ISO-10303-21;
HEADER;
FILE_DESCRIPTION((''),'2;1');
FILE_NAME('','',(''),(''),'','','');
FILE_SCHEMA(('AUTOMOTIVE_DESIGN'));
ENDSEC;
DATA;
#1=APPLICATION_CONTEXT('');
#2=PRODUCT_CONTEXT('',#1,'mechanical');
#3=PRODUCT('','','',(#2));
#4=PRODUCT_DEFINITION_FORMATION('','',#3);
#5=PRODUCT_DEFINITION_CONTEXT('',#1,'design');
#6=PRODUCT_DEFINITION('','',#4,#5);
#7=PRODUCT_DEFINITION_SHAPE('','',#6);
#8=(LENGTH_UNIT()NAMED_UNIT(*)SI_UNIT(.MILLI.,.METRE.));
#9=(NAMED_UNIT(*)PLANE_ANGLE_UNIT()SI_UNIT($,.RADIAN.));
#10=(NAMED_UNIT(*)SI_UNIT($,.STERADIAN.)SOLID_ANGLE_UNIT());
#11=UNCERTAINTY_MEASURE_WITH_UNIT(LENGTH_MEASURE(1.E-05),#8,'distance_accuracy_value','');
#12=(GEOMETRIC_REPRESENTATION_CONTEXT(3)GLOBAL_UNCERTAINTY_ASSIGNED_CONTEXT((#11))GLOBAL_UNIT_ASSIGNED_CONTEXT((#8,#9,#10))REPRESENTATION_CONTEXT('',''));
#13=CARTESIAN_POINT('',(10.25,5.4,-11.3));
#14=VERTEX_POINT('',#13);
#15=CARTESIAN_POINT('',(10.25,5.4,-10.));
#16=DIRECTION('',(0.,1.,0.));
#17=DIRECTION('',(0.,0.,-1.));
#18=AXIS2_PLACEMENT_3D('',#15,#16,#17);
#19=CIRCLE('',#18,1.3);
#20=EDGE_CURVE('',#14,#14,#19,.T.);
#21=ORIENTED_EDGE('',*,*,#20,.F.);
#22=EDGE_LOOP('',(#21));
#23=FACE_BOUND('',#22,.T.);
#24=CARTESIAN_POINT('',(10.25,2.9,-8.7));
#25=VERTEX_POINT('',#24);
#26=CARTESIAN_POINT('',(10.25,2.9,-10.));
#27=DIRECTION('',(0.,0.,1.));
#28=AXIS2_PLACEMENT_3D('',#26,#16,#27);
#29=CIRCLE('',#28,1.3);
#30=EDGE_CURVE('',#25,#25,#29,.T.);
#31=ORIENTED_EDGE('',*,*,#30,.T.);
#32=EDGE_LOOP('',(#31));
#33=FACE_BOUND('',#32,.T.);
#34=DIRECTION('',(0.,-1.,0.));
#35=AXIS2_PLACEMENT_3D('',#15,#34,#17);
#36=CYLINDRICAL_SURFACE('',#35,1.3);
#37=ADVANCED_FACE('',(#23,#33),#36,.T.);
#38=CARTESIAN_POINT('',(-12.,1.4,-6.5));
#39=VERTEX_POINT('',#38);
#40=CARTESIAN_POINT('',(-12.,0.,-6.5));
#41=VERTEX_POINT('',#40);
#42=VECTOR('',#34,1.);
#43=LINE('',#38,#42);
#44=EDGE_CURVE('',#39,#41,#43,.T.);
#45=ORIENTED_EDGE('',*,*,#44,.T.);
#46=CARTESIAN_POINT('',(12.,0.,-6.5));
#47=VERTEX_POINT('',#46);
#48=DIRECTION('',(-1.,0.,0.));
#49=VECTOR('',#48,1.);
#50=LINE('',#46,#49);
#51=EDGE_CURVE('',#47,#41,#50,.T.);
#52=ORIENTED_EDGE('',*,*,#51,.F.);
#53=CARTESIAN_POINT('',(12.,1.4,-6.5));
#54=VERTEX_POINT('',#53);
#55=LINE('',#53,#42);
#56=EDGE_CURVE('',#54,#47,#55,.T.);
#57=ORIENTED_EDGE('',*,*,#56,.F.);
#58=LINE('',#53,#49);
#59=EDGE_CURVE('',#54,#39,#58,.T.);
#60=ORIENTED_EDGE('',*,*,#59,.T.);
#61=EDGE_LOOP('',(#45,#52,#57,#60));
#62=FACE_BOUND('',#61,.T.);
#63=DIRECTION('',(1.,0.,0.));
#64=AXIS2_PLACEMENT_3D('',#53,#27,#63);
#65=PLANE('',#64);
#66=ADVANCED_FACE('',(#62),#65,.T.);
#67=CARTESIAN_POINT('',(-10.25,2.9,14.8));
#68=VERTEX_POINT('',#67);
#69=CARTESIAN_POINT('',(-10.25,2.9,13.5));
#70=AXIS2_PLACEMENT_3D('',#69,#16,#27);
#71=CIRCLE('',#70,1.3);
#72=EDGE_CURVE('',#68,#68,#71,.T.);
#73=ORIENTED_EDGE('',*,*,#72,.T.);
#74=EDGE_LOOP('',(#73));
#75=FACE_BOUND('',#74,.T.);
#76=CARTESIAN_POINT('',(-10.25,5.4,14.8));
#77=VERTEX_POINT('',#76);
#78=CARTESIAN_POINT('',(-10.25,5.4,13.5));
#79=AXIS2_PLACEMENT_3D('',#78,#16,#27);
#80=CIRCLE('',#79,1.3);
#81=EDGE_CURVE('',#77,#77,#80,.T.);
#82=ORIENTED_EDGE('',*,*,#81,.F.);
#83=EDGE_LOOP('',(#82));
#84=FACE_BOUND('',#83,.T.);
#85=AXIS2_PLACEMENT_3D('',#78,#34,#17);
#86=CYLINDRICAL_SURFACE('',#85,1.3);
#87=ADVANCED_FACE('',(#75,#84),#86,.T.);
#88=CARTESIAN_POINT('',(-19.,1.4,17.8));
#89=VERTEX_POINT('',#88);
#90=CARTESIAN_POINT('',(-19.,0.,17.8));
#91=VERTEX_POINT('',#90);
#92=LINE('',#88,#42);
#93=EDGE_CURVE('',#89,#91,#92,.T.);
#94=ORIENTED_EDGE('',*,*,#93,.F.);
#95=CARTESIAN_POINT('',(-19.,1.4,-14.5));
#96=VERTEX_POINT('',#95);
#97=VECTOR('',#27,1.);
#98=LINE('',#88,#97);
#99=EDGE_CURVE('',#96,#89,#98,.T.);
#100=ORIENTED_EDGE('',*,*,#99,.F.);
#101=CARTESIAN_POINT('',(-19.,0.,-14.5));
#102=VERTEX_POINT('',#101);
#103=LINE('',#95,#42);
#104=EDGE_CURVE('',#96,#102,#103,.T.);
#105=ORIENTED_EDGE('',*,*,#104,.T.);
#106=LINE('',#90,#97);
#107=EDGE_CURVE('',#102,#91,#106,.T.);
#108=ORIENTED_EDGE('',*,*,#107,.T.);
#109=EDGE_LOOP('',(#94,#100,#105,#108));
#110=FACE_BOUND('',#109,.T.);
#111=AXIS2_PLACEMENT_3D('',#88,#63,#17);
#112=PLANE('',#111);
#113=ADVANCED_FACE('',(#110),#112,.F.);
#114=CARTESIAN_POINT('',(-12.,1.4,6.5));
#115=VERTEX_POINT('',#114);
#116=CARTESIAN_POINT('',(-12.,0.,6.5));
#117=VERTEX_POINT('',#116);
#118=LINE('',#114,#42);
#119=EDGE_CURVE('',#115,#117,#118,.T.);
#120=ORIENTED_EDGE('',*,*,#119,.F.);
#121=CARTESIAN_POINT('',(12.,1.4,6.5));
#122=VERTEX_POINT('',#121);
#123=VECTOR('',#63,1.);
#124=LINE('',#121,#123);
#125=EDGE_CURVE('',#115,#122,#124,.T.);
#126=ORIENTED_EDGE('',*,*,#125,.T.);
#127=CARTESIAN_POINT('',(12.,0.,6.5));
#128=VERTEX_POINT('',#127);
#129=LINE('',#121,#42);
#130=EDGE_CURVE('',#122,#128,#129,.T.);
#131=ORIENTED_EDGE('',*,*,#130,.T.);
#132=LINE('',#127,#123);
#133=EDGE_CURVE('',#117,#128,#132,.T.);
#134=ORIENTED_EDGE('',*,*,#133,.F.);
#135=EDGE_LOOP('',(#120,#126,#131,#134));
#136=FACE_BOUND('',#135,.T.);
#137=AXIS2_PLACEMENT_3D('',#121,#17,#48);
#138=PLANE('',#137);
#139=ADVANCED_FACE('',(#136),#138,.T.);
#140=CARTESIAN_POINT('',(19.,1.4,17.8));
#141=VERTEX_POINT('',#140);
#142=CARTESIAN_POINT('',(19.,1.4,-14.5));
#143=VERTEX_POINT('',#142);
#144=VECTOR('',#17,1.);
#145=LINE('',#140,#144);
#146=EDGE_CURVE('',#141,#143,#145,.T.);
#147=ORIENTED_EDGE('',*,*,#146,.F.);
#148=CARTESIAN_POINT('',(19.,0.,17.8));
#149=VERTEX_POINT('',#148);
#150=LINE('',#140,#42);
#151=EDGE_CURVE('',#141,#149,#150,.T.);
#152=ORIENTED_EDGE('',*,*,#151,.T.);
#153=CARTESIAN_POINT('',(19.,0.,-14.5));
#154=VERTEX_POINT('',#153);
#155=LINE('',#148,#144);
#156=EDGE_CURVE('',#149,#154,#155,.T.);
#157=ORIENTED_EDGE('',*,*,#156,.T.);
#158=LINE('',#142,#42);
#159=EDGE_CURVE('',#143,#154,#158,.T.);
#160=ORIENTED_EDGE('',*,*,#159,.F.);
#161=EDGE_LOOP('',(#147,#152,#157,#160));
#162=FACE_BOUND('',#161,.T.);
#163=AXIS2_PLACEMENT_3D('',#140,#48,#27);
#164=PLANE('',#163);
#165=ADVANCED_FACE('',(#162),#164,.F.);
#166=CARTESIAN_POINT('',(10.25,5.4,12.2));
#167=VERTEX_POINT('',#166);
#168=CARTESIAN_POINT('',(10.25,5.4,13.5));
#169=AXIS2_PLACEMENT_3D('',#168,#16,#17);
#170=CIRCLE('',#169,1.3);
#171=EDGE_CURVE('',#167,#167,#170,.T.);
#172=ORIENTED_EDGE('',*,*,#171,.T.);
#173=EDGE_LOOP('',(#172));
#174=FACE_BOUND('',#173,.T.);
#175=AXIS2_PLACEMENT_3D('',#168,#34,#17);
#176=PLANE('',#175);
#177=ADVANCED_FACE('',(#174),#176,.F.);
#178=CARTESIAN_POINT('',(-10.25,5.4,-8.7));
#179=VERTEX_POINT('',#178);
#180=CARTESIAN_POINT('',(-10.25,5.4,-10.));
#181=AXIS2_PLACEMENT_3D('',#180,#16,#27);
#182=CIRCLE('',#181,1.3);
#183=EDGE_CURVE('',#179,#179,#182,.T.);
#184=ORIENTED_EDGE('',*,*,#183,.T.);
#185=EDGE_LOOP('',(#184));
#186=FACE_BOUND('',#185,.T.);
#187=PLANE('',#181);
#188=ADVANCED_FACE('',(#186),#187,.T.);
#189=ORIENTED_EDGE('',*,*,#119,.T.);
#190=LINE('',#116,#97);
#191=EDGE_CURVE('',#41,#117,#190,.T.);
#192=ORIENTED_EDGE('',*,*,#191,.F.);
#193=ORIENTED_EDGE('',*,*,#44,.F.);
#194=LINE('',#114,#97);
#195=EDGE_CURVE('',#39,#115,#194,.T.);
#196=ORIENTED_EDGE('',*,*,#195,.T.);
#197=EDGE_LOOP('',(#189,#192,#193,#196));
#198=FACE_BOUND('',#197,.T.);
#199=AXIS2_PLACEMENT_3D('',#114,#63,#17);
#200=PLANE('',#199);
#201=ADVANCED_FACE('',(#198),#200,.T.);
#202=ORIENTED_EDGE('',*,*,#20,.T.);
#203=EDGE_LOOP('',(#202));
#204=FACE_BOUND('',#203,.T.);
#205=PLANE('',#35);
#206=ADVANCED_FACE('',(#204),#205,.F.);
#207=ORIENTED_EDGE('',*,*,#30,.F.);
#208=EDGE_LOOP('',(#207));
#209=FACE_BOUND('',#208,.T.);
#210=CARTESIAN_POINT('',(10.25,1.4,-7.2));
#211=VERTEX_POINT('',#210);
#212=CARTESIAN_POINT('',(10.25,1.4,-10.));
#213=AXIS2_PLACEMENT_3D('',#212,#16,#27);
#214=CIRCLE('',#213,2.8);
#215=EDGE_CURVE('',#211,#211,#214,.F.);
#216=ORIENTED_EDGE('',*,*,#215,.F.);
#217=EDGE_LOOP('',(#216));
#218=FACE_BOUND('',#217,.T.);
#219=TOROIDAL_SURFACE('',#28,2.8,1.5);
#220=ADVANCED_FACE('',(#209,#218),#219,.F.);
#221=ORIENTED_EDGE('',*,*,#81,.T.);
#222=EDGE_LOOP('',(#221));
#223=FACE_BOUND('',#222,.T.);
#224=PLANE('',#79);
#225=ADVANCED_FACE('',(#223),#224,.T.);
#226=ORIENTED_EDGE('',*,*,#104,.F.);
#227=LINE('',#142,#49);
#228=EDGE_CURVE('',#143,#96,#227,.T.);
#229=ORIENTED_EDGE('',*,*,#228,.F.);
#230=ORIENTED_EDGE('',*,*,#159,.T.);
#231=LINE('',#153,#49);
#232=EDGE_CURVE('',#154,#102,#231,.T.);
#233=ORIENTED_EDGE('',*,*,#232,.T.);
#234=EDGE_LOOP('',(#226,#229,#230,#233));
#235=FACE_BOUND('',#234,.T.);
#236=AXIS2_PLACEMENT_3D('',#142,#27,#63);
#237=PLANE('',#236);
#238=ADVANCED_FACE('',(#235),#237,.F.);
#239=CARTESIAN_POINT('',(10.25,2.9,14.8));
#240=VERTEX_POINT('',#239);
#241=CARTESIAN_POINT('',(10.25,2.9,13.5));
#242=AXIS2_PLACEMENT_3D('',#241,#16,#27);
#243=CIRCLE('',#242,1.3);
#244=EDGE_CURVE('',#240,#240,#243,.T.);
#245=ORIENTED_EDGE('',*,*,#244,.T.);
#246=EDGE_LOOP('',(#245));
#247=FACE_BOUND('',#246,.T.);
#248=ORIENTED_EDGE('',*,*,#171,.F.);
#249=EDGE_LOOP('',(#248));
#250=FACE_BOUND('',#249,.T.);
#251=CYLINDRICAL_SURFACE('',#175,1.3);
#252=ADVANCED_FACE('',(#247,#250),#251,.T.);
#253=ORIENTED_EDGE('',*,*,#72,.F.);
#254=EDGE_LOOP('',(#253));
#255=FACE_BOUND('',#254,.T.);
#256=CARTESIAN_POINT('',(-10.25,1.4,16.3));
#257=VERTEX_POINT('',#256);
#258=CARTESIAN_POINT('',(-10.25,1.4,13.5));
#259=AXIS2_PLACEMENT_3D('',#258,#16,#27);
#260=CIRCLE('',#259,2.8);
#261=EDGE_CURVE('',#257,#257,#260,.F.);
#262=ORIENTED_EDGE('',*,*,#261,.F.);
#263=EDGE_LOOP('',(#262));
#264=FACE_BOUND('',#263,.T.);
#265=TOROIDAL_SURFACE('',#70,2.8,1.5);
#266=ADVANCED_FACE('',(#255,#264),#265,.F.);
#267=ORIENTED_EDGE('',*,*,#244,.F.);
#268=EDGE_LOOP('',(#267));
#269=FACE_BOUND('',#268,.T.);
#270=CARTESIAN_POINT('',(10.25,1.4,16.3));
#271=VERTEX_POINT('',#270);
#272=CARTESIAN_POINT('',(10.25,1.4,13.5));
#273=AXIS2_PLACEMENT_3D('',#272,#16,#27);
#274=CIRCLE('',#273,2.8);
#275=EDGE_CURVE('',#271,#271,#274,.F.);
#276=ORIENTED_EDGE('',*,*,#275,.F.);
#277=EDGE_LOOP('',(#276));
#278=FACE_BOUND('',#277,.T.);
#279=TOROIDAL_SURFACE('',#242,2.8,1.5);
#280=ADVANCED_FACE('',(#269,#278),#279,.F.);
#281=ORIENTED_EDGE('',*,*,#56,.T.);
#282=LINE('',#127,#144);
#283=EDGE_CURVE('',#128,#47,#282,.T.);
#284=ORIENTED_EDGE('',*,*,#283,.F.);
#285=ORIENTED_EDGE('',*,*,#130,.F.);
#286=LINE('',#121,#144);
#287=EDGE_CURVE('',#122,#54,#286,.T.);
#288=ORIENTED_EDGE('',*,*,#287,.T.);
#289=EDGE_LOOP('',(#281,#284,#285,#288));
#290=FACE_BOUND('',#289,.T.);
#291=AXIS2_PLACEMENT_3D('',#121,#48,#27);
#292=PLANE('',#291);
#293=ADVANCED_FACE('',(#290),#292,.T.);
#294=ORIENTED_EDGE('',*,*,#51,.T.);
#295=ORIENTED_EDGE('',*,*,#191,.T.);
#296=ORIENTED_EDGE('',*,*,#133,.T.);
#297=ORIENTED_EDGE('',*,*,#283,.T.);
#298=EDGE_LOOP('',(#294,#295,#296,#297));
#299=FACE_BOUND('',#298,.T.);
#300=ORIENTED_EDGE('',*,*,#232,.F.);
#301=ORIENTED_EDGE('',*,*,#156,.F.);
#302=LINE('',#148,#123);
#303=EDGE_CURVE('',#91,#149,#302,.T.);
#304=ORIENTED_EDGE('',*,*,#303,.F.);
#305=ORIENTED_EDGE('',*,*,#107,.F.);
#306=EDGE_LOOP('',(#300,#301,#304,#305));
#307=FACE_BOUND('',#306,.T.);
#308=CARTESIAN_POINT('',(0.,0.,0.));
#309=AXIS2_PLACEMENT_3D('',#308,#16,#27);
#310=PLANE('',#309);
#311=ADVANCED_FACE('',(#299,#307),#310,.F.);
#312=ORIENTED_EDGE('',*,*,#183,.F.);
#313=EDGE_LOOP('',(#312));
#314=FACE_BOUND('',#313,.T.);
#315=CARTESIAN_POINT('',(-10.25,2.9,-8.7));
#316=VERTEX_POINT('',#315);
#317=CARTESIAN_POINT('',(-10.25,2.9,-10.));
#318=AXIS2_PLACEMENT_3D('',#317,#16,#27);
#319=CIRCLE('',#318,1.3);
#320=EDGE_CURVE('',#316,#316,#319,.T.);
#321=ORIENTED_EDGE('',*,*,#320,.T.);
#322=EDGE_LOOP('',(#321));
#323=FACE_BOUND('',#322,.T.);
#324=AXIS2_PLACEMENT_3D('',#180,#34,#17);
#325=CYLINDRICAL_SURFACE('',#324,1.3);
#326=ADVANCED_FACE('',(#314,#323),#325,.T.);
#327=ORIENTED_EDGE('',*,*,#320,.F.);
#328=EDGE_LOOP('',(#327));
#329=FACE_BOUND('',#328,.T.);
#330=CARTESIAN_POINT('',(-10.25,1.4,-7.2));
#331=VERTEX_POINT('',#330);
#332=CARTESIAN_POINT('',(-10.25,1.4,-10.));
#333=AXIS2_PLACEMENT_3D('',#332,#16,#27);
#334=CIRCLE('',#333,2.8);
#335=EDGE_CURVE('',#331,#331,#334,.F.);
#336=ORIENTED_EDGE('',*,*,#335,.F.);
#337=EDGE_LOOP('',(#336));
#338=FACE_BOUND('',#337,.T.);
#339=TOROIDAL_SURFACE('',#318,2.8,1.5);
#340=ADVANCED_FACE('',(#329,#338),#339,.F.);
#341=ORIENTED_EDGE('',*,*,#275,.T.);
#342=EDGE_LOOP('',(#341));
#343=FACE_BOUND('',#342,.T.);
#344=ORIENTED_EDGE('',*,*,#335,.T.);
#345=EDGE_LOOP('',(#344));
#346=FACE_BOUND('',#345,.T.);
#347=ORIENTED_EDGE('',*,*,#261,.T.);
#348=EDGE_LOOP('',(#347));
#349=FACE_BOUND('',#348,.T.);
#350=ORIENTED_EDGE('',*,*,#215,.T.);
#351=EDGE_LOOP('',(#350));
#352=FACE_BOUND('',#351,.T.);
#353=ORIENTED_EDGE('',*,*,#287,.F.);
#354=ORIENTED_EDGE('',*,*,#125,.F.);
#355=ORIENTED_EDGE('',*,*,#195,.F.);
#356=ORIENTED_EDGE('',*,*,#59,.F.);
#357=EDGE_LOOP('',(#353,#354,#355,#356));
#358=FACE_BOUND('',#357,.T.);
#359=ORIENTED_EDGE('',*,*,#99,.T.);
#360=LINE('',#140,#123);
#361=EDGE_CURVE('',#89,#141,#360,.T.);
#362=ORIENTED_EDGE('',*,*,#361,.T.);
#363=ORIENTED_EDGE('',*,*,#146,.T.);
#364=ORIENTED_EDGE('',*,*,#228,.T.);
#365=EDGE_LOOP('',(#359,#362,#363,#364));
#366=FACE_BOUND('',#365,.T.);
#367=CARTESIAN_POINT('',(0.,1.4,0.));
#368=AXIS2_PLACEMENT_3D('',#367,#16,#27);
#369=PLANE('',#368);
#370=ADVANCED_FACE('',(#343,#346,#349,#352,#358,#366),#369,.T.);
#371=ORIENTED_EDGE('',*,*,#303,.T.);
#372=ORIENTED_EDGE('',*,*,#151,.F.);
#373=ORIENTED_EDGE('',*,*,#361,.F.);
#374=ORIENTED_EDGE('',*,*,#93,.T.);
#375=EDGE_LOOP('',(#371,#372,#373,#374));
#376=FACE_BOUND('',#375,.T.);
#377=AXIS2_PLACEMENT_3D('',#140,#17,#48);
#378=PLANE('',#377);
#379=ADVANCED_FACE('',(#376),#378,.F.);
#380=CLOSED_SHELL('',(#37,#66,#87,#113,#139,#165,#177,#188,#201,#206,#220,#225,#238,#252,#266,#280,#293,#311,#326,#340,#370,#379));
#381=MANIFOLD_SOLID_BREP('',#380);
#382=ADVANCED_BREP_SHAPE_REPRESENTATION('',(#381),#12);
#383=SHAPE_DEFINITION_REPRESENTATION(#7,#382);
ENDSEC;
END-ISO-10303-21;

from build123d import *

# Parameters (mm, degrees)
SKETCH1_W           = 38
SKETCH1_H           = 32.3
SKETCH1_W_2         = 24
SKETCH1_H_2         = 13
BOSS_EXTRUDE1_DEPTH = 1.4
SKETCH2_R           = 1.3
BOSS_EXTRUDE2_DEPTH = 4
FILLET1_R           = 1.5


with BuildPart() as part:
    # Sketch1 → Boss-Extrude1 (new body)
    with BuildSketch(Plane(origin=(0, 0, 0), x_dir=(1, 0, 0), z_dir=(0, 1, 0))):
        with Locations((0, -1.65)):
            Rectangle(SKETCH1_W, SKETCH1_H)
        Rectangle(SKETCH1_W_2, SKETCH1_H_2, mode=Mode.SUBTRACT)
    extrude(amount=BOSS_EXTRUDE1_DEPTH)

    # Sketch2 → Boss-Extrude2 (add)
    with BuildSketch(Plane(origin=(0, 1.4, 0), x_dir=(1, 0, 0), z_dir=(0, 1, 0))):
        with Locations(Location((-10.25, 10, 0), (0, 0, 270))):
            Circle(SKETCH2_R)
        with Locations(Location((-10.25, -13.5, 0), (0, 0, 270))):
            Circle(SKETCH2_R)
        with Locations(Location((10.25, -13.5, 0), (0, 0, 90))):
            Circle(SKETCH2_R)
        with Locations(Location((10.25, 10, 0), (0, 0, 90))):
            Circle(SKETCH2_R)
    extrude(amount=BOSS_EXTRUDE2_DEPTH)

    # Fillet1
    fillet1_edges = [part.edges().sort_by_distance(p)[0] for p in [
        (-10.25, 1.4, -11.3),
        (-10.25, 1.4, 12.2),
        (10.25, 1.4, 14.8),
        (10.25, 1.4, -8.7),
    ]]
    fillet(fillet1_edges, radius=FILLET1_R)


solid = part.part
